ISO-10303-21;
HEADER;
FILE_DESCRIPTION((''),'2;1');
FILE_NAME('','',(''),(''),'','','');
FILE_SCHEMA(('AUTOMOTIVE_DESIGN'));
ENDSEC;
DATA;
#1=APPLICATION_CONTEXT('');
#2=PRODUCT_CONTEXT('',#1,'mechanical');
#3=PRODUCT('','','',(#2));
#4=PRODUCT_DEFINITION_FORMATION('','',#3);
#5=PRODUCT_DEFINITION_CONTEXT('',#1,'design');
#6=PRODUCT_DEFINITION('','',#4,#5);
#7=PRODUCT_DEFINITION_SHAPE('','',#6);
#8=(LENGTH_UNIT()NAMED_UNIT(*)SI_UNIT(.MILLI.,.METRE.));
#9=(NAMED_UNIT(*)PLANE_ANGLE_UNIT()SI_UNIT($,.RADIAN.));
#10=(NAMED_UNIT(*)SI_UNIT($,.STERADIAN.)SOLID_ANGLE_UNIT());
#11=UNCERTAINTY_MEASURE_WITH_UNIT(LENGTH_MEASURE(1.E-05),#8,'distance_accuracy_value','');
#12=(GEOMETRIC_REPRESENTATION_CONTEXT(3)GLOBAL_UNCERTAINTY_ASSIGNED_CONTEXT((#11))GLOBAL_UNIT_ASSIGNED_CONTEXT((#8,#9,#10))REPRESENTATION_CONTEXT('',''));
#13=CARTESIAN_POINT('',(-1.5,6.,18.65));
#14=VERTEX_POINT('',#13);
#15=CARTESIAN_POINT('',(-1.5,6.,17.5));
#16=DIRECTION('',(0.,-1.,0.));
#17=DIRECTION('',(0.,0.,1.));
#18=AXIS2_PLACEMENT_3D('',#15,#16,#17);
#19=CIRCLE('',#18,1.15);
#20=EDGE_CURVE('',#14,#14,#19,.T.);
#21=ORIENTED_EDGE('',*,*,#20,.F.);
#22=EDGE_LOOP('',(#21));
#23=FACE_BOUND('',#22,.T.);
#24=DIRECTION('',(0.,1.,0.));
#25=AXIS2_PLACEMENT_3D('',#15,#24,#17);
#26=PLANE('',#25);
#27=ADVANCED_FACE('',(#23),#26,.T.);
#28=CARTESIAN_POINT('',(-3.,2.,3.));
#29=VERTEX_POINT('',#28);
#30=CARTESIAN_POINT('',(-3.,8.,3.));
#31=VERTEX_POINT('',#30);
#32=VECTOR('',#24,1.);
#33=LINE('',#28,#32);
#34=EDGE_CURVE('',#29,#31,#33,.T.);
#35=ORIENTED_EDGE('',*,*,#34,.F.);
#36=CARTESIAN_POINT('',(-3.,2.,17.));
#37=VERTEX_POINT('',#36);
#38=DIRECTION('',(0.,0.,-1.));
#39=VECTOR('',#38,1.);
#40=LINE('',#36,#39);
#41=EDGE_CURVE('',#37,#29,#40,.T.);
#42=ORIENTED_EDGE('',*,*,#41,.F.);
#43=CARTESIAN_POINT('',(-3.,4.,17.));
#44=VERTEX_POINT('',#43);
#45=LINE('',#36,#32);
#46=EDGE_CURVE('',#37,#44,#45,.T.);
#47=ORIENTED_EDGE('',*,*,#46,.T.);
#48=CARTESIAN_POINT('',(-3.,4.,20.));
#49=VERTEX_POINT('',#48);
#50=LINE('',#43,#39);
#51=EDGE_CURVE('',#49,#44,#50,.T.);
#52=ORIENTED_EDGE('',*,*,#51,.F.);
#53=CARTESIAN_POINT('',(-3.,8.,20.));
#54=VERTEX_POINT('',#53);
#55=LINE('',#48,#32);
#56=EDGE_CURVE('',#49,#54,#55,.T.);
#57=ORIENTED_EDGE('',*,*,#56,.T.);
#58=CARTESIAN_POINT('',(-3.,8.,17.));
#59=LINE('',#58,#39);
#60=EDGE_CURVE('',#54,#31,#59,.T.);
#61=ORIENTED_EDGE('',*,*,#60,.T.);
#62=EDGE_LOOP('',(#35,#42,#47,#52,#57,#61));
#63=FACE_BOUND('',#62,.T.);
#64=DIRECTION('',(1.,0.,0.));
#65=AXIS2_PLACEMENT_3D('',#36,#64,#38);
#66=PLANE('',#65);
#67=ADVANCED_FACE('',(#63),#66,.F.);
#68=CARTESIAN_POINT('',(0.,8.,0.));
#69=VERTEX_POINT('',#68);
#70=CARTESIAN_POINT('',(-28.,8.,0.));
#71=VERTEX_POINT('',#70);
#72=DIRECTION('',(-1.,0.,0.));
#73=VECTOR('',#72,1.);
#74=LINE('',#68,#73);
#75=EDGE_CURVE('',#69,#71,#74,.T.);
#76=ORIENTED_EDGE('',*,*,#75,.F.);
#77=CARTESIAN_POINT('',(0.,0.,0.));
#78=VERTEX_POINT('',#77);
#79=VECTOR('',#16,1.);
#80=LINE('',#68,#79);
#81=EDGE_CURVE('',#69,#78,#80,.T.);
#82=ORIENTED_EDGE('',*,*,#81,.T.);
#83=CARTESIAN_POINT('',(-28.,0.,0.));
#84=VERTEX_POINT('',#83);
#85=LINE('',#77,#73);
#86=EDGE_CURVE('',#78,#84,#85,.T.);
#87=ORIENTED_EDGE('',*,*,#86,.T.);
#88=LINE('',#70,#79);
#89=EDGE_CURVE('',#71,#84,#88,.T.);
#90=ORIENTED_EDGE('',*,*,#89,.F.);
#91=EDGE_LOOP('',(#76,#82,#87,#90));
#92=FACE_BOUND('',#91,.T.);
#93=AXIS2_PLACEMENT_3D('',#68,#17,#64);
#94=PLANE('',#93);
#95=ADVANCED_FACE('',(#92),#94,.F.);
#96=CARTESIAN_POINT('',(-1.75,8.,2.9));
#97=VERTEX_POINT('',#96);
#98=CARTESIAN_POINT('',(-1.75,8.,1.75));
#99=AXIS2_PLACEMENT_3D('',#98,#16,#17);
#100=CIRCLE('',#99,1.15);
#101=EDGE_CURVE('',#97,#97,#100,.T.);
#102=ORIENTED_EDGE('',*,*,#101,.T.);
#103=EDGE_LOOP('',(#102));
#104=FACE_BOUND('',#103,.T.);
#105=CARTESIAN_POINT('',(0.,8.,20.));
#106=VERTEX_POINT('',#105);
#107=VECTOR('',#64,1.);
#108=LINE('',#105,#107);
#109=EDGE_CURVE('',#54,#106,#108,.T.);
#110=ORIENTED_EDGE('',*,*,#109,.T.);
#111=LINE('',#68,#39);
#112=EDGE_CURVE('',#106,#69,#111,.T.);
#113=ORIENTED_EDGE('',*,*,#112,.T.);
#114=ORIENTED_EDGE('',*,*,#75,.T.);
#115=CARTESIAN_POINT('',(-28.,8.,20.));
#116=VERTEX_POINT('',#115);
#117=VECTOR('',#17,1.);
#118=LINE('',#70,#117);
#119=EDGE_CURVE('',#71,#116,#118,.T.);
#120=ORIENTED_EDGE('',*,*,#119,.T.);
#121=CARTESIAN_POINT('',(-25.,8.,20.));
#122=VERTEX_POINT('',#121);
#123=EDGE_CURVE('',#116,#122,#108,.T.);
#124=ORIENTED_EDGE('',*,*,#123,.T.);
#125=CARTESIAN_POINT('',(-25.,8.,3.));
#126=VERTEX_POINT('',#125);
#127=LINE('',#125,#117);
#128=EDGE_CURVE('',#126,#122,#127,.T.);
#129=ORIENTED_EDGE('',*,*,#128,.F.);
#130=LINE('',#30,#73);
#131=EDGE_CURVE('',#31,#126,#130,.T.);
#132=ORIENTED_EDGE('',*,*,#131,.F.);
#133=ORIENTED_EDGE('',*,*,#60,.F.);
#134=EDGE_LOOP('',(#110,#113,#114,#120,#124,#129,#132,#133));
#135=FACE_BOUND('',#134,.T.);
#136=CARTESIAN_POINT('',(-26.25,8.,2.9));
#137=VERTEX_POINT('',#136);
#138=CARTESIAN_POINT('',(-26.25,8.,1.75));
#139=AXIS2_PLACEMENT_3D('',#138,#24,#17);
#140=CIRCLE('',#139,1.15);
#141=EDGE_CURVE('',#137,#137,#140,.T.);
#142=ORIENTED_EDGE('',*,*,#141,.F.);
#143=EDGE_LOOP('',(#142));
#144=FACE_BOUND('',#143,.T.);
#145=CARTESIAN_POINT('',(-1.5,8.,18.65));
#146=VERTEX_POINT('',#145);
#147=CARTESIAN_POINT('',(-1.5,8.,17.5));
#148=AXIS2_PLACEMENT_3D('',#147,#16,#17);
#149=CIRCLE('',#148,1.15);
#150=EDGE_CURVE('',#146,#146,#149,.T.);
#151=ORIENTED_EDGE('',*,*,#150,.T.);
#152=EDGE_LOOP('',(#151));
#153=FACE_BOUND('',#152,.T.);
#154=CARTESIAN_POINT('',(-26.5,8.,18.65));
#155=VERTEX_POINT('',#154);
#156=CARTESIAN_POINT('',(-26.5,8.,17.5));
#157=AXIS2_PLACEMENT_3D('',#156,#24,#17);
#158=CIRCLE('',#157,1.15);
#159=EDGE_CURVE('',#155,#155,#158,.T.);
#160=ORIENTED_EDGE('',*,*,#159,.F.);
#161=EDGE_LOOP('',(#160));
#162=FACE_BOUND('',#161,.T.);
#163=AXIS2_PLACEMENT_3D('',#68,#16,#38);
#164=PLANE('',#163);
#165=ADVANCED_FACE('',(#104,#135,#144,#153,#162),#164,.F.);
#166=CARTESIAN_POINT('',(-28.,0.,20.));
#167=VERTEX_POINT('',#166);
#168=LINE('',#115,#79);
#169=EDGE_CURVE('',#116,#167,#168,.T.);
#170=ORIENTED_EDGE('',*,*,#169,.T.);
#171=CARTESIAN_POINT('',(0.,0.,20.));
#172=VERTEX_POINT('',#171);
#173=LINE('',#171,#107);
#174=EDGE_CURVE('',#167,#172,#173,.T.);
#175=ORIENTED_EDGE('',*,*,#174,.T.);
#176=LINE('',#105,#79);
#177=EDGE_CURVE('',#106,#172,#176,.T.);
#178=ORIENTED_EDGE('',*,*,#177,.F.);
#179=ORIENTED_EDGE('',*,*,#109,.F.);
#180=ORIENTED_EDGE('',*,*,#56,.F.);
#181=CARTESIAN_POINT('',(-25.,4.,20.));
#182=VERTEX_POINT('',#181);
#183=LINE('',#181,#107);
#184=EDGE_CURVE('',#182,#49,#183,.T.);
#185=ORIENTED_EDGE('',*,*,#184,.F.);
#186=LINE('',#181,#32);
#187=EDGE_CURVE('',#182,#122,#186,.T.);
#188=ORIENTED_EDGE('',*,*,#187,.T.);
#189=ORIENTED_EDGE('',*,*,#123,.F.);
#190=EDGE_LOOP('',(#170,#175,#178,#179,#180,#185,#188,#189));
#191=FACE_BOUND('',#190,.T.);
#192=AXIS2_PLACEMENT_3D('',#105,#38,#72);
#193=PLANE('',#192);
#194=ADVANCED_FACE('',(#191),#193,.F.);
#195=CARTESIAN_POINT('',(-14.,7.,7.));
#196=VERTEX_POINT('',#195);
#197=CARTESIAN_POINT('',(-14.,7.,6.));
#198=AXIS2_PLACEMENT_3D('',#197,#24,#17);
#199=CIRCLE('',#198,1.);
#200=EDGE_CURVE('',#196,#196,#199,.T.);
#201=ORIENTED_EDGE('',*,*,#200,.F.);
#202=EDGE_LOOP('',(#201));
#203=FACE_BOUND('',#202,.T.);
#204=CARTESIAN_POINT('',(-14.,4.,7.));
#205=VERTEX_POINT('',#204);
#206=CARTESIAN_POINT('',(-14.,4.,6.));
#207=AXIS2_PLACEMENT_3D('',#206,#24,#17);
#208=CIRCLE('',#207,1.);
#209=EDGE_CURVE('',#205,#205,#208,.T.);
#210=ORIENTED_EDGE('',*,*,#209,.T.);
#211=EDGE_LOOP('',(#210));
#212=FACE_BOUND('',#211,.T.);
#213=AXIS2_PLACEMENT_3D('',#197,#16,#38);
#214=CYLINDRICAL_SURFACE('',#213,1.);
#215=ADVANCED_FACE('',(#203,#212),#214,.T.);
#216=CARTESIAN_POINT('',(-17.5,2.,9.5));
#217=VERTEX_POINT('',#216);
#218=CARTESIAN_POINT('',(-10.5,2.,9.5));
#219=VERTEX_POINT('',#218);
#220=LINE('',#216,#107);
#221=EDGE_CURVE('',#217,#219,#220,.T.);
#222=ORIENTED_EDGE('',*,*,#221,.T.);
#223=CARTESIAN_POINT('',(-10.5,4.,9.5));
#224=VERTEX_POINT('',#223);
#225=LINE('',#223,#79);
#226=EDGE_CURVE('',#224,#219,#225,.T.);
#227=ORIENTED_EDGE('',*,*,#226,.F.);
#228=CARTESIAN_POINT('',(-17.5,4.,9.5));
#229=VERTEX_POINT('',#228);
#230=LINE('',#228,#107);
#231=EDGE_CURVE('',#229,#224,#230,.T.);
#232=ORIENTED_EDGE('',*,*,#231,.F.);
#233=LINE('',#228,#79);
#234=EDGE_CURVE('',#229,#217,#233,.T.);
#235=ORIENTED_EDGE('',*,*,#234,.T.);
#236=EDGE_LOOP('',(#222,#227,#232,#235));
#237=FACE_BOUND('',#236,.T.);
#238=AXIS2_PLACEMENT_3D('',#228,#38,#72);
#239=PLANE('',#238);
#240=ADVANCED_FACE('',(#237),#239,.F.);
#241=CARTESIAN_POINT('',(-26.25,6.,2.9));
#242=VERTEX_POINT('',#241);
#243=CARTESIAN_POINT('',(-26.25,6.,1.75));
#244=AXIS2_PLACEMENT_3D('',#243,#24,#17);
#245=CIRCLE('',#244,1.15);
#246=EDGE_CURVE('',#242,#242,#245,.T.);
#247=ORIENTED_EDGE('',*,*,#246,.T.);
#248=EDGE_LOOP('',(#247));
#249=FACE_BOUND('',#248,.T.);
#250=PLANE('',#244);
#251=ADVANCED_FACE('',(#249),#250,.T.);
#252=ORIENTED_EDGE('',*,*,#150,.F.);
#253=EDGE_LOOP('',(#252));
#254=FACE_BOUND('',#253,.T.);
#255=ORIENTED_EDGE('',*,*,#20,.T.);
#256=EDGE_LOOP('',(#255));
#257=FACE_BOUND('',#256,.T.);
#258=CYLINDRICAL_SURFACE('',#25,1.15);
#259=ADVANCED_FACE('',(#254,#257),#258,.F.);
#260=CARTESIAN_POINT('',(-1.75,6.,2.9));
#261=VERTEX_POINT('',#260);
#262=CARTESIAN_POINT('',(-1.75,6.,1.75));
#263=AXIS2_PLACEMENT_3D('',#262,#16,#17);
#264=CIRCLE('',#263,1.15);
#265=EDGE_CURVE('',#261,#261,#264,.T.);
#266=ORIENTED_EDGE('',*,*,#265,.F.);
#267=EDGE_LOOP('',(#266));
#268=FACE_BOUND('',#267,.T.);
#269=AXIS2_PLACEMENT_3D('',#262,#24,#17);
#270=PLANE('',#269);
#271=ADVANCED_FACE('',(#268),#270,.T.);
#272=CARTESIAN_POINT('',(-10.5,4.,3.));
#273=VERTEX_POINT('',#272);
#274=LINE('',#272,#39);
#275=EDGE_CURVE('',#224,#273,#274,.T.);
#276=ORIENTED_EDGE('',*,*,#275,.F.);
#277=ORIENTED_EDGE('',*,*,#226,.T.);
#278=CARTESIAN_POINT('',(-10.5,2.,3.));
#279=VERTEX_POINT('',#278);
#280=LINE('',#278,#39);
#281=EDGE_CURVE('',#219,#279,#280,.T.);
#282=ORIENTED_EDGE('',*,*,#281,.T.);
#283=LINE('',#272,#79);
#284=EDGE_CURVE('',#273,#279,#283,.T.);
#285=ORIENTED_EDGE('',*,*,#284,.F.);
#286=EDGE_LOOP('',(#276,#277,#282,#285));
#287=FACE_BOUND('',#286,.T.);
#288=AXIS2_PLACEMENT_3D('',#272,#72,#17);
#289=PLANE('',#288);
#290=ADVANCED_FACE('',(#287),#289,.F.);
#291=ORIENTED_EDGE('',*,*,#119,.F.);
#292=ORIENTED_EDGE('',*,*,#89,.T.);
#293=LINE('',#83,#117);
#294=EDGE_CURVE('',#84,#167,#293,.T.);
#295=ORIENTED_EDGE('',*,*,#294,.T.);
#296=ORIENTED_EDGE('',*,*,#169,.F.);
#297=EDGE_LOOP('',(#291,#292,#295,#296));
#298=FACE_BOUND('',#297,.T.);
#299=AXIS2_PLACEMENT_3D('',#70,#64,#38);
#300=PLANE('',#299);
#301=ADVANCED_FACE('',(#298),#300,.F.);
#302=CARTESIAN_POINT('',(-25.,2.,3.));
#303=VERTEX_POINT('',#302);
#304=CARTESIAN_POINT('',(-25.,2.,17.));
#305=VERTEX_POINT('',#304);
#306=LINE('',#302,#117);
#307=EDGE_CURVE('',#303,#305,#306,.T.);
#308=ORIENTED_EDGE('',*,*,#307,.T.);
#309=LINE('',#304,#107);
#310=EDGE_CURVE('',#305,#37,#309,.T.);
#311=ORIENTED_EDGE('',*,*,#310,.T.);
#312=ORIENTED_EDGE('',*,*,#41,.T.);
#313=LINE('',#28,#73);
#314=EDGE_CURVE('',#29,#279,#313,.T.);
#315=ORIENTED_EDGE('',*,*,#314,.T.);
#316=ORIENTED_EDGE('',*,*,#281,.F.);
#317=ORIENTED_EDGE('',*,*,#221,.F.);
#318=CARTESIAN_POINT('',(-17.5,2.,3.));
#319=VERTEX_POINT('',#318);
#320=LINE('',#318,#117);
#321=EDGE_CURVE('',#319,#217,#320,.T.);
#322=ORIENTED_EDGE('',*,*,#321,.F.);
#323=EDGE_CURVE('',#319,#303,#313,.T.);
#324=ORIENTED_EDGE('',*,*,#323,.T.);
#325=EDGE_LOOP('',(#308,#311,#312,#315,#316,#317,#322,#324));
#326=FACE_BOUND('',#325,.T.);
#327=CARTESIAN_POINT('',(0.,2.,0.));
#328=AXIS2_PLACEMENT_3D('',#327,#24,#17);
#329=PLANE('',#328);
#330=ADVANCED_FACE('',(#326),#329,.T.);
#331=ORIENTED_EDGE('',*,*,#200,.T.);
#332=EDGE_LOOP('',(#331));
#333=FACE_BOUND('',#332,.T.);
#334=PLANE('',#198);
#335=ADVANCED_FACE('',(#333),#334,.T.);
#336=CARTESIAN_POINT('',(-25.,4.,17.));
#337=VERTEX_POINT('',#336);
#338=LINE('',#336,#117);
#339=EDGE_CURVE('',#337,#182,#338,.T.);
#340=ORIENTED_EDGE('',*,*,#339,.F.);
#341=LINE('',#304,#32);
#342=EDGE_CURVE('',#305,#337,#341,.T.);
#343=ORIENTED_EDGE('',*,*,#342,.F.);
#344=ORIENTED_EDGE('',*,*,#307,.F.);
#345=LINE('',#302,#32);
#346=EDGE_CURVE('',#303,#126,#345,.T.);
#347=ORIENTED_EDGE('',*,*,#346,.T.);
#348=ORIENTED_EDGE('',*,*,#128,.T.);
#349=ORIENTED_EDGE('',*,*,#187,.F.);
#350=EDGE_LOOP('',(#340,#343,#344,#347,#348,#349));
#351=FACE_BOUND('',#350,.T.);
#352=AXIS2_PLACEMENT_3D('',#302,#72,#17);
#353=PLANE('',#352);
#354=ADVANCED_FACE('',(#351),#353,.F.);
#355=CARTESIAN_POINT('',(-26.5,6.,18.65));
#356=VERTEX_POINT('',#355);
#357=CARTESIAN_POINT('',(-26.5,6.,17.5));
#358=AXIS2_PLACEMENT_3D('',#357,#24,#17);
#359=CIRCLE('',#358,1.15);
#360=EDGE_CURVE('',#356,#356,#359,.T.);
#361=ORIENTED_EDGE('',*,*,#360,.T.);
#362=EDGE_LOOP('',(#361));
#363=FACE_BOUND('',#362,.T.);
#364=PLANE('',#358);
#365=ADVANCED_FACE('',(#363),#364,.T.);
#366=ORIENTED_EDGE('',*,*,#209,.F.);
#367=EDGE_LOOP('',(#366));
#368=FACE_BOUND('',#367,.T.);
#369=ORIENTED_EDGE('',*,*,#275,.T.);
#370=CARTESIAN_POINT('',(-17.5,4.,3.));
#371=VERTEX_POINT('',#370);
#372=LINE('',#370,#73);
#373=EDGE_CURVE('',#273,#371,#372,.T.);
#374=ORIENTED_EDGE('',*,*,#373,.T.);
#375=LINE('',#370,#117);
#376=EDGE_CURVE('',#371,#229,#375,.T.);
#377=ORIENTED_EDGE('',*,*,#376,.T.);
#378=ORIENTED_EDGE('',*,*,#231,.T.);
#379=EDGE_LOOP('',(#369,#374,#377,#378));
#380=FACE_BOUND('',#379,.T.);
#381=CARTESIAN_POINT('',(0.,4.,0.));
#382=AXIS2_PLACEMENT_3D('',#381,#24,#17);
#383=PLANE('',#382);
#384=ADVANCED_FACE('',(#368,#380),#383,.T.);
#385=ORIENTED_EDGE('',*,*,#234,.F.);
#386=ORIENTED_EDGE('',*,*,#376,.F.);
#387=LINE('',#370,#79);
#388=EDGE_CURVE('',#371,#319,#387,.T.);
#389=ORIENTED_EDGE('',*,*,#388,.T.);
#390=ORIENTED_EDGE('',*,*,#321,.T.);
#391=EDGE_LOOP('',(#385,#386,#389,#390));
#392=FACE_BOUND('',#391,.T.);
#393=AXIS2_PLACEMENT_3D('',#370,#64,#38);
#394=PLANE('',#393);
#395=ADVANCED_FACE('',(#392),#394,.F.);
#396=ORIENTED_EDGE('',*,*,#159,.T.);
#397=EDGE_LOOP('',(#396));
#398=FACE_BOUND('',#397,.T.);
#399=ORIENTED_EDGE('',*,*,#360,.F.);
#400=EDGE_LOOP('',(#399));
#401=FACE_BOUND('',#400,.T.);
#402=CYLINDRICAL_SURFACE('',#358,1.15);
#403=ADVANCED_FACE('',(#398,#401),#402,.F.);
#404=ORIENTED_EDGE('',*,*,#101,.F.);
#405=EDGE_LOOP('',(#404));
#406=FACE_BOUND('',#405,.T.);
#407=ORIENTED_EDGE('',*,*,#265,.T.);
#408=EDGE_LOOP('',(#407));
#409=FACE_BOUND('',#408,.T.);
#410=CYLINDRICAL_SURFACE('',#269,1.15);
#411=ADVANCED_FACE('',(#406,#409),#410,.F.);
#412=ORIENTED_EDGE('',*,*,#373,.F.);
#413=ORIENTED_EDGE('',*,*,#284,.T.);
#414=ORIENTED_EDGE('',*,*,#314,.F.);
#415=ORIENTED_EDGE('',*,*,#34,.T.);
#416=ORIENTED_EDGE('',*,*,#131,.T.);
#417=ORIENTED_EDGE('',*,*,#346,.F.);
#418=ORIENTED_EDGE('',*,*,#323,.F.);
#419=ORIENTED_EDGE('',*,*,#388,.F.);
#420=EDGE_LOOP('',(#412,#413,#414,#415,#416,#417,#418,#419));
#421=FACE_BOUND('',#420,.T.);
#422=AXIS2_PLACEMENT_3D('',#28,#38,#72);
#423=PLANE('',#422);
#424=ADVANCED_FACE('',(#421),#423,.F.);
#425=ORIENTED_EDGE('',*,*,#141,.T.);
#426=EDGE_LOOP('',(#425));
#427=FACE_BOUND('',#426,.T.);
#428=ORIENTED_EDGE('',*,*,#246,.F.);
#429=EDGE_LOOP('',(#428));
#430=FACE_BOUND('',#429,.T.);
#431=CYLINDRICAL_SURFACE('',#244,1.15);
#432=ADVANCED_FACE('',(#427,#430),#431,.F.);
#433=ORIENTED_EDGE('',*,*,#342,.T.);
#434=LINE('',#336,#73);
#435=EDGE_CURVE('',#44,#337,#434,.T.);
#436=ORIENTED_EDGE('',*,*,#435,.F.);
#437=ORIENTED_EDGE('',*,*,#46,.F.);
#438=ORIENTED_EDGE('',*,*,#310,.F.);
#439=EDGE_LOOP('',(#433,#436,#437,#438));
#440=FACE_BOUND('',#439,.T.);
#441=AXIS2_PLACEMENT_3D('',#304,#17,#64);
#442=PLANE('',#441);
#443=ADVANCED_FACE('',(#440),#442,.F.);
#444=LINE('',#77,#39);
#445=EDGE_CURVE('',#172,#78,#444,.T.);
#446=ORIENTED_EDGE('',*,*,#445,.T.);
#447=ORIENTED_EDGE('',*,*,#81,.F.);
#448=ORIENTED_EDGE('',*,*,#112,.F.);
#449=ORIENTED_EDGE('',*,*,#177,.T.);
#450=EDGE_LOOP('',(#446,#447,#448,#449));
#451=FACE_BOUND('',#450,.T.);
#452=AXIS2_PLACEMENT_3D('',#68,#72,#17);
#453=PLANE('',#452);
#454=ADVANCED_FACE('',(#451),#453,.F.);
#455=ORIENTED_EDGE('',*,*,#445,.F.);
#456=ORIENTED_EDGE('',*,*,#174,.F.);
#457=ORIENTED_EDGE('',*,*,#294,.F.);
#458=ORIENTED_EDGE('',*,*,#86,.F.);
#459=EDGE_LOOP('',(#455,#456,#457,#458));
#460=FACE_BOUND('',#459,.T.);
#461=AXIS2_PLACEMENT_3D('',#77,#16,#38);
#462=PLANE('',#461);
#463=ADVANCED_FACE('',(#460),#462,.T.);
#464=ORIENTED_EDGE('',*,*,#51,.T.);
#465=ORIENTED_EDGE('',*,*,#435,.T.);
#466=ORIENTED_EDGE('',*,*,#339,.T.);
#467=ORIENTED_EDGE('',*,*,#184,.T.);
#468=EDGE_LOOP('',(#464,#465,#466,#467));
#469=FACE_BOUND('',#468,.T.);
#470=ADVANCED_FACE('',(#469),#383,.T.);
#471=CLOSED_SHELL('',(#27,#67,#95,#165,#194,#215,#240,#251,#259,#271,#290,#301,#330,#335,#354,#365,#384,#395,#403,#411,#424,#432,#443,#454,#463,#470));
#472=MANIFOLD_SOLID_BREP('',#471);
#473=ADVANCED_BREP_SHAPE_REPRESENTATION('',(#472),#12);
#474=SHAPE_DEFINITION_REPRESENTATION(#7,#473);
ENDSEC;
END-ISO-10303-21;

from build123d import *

# Parameters (mm, degrees)
ESQUISSE3_W             = 28
ESQUISSE3_H             = 20
BOSS_EXTRU_1_DEPTH      = 8
ESQUISSE4_W             = 22
ESQUISSE4_H             = 14
ENL_V_MAT_EXTRU_1_DEPTH = 6
ESQUISSE5_W             = 22
ESQUISSE5_H             = 3
ENL_V_MAT_EXTRU_2_DEPTH = 4
ESQUISSE7_R             = 1
BOSS_EXTRU_2_DEPTH      = 5
ESQUISSE9_R             = 1.15
ENL_V_MAT_EXTRU_3_DEPTH = 2
ESQUISSE11_R            = 1.15
ENL_V_MAT_EXTRU_4_DEPTH = 2
ESQUISSE12_W            = 7
ESQUISSE12_H            = 6.5
BOSS_EXTRU_3_DEPTH      = 2


with BuildPart() as part:
    # Esquisse3 → Boss.-Extru.1 (new body)
    with BuildSketch(Plane(origin=(0, 0, 0), x_dir=(1, 0, 0), z_dir=(0, 1, 0))):
        with Locations((-14, -10)):
            Rectangle(ESQUISSE3_W, ESQUISSE3_H)
    extrude(amount=BOSS_EXTRU_1_DEPTH)

    # Esquisse4 → Enlèv. mat.-Extru.1 (cut)
    with BuildSketch(Plane(origin=(0, 8, 0), x_dir=(1, 0, 0), z_dir=(0, 1, 0))):
        with Locations((-14, -10)):
            Rectangle(ESQUISSE4_W, ESQUISSE4_H)
    extrude(amount=-ENL_V_MAT_EXTRU_1_DEPTH, mode=Mode.SUBTRACT)

    # Esquisse5 → Enlèv. mat.-Extru.2 (cut)
    with BuildSketch(Plane(origin=(0, 8, 0), x_dir=(1, 0, 0), z_dir=(0, 1, 0))):
        with Locations((-14, -18.5)):
            Rectangle(ESQUISSE5_W, ESQUISSE5_H)
    extrude(amount=-ENL_V_MAT_EXTRU_2_DEPTH, mode=Mode.SUBTRACT)

    # Esquisse7 → Boss.-Extru.2 (add)
    with BuildSketch(Plane(origin=(0, 2, 0), x_dir=(1, 0, 0), z_dir=(0, 1, 0))):
        with Locations(Location((-14, -6, 0), (0, 0, 270))):
            Circle(ESQUISSE7_R)
    extrude(amount=BOSS_EXTRU_2_DEPTH)

    # Esquisse9 → Enlèv. mat.-Extru.3 (cut)
    with BuildSketch(Plane(origin=(0, 8, 0), x_dir=(1, 0, 0), z_dir=(0, 1, 0))):
        with Locations(Location((-26.25, -1.75, 0), (0, 0, 270))):
            Circle(ESQUISSE9_R)
    enl_v_mat_extru_3 = extrude(amount=-ENL_V_MAT_EXTRU_3_DEPTH, mode=Mode.SUBTRACT)

    # Symétrie1: Enlèv. mat.-Extru.3 across plane
    add(enl_v_mat_extru_3.mirror(Plane.ZY.offset(14)), mode=Mode.SUBTRACT)

    # Esquisse11 → Enlèv. mat.-Extru.4 (cut)
    with BuildSketch(Plane(origin=(0, 8, 0), x_dir=(1, 0, 0), z_dir=(0, 1, 0))):
        with Locations(Location((-26.5, -17.5, 0), (0, 0, 270))):
            Circle(ESQUISSE11_R)
    enl_v_mat_extru_4 = extrude(amount=-ENL_V_MAT_EXTRU_4_DEPTH, mode=Mode.SUBTRACT)

    # Symétrie2: Enlèv. mat.-Extru.4 across plane
    add(enl_v_mat_extru_4.mirror(Plane.ZY.offset(14)), mode=Mode.SUBTRACT)

    # Esquisse12 → Boss.-Extru.3 (add)
    with BuildSketch(Plane(origin=(0, 2, 0), x_dir=(1, 0, 0), z_dir=(0, 1, 0))):
        with Locations((-14, -6.25)):
            Rectangle(ESQUISSE12_W, ESQUISSE12_H)
    extrude(amount=BOSS_EXTRU_3_DEPTH)


solid = part.part
